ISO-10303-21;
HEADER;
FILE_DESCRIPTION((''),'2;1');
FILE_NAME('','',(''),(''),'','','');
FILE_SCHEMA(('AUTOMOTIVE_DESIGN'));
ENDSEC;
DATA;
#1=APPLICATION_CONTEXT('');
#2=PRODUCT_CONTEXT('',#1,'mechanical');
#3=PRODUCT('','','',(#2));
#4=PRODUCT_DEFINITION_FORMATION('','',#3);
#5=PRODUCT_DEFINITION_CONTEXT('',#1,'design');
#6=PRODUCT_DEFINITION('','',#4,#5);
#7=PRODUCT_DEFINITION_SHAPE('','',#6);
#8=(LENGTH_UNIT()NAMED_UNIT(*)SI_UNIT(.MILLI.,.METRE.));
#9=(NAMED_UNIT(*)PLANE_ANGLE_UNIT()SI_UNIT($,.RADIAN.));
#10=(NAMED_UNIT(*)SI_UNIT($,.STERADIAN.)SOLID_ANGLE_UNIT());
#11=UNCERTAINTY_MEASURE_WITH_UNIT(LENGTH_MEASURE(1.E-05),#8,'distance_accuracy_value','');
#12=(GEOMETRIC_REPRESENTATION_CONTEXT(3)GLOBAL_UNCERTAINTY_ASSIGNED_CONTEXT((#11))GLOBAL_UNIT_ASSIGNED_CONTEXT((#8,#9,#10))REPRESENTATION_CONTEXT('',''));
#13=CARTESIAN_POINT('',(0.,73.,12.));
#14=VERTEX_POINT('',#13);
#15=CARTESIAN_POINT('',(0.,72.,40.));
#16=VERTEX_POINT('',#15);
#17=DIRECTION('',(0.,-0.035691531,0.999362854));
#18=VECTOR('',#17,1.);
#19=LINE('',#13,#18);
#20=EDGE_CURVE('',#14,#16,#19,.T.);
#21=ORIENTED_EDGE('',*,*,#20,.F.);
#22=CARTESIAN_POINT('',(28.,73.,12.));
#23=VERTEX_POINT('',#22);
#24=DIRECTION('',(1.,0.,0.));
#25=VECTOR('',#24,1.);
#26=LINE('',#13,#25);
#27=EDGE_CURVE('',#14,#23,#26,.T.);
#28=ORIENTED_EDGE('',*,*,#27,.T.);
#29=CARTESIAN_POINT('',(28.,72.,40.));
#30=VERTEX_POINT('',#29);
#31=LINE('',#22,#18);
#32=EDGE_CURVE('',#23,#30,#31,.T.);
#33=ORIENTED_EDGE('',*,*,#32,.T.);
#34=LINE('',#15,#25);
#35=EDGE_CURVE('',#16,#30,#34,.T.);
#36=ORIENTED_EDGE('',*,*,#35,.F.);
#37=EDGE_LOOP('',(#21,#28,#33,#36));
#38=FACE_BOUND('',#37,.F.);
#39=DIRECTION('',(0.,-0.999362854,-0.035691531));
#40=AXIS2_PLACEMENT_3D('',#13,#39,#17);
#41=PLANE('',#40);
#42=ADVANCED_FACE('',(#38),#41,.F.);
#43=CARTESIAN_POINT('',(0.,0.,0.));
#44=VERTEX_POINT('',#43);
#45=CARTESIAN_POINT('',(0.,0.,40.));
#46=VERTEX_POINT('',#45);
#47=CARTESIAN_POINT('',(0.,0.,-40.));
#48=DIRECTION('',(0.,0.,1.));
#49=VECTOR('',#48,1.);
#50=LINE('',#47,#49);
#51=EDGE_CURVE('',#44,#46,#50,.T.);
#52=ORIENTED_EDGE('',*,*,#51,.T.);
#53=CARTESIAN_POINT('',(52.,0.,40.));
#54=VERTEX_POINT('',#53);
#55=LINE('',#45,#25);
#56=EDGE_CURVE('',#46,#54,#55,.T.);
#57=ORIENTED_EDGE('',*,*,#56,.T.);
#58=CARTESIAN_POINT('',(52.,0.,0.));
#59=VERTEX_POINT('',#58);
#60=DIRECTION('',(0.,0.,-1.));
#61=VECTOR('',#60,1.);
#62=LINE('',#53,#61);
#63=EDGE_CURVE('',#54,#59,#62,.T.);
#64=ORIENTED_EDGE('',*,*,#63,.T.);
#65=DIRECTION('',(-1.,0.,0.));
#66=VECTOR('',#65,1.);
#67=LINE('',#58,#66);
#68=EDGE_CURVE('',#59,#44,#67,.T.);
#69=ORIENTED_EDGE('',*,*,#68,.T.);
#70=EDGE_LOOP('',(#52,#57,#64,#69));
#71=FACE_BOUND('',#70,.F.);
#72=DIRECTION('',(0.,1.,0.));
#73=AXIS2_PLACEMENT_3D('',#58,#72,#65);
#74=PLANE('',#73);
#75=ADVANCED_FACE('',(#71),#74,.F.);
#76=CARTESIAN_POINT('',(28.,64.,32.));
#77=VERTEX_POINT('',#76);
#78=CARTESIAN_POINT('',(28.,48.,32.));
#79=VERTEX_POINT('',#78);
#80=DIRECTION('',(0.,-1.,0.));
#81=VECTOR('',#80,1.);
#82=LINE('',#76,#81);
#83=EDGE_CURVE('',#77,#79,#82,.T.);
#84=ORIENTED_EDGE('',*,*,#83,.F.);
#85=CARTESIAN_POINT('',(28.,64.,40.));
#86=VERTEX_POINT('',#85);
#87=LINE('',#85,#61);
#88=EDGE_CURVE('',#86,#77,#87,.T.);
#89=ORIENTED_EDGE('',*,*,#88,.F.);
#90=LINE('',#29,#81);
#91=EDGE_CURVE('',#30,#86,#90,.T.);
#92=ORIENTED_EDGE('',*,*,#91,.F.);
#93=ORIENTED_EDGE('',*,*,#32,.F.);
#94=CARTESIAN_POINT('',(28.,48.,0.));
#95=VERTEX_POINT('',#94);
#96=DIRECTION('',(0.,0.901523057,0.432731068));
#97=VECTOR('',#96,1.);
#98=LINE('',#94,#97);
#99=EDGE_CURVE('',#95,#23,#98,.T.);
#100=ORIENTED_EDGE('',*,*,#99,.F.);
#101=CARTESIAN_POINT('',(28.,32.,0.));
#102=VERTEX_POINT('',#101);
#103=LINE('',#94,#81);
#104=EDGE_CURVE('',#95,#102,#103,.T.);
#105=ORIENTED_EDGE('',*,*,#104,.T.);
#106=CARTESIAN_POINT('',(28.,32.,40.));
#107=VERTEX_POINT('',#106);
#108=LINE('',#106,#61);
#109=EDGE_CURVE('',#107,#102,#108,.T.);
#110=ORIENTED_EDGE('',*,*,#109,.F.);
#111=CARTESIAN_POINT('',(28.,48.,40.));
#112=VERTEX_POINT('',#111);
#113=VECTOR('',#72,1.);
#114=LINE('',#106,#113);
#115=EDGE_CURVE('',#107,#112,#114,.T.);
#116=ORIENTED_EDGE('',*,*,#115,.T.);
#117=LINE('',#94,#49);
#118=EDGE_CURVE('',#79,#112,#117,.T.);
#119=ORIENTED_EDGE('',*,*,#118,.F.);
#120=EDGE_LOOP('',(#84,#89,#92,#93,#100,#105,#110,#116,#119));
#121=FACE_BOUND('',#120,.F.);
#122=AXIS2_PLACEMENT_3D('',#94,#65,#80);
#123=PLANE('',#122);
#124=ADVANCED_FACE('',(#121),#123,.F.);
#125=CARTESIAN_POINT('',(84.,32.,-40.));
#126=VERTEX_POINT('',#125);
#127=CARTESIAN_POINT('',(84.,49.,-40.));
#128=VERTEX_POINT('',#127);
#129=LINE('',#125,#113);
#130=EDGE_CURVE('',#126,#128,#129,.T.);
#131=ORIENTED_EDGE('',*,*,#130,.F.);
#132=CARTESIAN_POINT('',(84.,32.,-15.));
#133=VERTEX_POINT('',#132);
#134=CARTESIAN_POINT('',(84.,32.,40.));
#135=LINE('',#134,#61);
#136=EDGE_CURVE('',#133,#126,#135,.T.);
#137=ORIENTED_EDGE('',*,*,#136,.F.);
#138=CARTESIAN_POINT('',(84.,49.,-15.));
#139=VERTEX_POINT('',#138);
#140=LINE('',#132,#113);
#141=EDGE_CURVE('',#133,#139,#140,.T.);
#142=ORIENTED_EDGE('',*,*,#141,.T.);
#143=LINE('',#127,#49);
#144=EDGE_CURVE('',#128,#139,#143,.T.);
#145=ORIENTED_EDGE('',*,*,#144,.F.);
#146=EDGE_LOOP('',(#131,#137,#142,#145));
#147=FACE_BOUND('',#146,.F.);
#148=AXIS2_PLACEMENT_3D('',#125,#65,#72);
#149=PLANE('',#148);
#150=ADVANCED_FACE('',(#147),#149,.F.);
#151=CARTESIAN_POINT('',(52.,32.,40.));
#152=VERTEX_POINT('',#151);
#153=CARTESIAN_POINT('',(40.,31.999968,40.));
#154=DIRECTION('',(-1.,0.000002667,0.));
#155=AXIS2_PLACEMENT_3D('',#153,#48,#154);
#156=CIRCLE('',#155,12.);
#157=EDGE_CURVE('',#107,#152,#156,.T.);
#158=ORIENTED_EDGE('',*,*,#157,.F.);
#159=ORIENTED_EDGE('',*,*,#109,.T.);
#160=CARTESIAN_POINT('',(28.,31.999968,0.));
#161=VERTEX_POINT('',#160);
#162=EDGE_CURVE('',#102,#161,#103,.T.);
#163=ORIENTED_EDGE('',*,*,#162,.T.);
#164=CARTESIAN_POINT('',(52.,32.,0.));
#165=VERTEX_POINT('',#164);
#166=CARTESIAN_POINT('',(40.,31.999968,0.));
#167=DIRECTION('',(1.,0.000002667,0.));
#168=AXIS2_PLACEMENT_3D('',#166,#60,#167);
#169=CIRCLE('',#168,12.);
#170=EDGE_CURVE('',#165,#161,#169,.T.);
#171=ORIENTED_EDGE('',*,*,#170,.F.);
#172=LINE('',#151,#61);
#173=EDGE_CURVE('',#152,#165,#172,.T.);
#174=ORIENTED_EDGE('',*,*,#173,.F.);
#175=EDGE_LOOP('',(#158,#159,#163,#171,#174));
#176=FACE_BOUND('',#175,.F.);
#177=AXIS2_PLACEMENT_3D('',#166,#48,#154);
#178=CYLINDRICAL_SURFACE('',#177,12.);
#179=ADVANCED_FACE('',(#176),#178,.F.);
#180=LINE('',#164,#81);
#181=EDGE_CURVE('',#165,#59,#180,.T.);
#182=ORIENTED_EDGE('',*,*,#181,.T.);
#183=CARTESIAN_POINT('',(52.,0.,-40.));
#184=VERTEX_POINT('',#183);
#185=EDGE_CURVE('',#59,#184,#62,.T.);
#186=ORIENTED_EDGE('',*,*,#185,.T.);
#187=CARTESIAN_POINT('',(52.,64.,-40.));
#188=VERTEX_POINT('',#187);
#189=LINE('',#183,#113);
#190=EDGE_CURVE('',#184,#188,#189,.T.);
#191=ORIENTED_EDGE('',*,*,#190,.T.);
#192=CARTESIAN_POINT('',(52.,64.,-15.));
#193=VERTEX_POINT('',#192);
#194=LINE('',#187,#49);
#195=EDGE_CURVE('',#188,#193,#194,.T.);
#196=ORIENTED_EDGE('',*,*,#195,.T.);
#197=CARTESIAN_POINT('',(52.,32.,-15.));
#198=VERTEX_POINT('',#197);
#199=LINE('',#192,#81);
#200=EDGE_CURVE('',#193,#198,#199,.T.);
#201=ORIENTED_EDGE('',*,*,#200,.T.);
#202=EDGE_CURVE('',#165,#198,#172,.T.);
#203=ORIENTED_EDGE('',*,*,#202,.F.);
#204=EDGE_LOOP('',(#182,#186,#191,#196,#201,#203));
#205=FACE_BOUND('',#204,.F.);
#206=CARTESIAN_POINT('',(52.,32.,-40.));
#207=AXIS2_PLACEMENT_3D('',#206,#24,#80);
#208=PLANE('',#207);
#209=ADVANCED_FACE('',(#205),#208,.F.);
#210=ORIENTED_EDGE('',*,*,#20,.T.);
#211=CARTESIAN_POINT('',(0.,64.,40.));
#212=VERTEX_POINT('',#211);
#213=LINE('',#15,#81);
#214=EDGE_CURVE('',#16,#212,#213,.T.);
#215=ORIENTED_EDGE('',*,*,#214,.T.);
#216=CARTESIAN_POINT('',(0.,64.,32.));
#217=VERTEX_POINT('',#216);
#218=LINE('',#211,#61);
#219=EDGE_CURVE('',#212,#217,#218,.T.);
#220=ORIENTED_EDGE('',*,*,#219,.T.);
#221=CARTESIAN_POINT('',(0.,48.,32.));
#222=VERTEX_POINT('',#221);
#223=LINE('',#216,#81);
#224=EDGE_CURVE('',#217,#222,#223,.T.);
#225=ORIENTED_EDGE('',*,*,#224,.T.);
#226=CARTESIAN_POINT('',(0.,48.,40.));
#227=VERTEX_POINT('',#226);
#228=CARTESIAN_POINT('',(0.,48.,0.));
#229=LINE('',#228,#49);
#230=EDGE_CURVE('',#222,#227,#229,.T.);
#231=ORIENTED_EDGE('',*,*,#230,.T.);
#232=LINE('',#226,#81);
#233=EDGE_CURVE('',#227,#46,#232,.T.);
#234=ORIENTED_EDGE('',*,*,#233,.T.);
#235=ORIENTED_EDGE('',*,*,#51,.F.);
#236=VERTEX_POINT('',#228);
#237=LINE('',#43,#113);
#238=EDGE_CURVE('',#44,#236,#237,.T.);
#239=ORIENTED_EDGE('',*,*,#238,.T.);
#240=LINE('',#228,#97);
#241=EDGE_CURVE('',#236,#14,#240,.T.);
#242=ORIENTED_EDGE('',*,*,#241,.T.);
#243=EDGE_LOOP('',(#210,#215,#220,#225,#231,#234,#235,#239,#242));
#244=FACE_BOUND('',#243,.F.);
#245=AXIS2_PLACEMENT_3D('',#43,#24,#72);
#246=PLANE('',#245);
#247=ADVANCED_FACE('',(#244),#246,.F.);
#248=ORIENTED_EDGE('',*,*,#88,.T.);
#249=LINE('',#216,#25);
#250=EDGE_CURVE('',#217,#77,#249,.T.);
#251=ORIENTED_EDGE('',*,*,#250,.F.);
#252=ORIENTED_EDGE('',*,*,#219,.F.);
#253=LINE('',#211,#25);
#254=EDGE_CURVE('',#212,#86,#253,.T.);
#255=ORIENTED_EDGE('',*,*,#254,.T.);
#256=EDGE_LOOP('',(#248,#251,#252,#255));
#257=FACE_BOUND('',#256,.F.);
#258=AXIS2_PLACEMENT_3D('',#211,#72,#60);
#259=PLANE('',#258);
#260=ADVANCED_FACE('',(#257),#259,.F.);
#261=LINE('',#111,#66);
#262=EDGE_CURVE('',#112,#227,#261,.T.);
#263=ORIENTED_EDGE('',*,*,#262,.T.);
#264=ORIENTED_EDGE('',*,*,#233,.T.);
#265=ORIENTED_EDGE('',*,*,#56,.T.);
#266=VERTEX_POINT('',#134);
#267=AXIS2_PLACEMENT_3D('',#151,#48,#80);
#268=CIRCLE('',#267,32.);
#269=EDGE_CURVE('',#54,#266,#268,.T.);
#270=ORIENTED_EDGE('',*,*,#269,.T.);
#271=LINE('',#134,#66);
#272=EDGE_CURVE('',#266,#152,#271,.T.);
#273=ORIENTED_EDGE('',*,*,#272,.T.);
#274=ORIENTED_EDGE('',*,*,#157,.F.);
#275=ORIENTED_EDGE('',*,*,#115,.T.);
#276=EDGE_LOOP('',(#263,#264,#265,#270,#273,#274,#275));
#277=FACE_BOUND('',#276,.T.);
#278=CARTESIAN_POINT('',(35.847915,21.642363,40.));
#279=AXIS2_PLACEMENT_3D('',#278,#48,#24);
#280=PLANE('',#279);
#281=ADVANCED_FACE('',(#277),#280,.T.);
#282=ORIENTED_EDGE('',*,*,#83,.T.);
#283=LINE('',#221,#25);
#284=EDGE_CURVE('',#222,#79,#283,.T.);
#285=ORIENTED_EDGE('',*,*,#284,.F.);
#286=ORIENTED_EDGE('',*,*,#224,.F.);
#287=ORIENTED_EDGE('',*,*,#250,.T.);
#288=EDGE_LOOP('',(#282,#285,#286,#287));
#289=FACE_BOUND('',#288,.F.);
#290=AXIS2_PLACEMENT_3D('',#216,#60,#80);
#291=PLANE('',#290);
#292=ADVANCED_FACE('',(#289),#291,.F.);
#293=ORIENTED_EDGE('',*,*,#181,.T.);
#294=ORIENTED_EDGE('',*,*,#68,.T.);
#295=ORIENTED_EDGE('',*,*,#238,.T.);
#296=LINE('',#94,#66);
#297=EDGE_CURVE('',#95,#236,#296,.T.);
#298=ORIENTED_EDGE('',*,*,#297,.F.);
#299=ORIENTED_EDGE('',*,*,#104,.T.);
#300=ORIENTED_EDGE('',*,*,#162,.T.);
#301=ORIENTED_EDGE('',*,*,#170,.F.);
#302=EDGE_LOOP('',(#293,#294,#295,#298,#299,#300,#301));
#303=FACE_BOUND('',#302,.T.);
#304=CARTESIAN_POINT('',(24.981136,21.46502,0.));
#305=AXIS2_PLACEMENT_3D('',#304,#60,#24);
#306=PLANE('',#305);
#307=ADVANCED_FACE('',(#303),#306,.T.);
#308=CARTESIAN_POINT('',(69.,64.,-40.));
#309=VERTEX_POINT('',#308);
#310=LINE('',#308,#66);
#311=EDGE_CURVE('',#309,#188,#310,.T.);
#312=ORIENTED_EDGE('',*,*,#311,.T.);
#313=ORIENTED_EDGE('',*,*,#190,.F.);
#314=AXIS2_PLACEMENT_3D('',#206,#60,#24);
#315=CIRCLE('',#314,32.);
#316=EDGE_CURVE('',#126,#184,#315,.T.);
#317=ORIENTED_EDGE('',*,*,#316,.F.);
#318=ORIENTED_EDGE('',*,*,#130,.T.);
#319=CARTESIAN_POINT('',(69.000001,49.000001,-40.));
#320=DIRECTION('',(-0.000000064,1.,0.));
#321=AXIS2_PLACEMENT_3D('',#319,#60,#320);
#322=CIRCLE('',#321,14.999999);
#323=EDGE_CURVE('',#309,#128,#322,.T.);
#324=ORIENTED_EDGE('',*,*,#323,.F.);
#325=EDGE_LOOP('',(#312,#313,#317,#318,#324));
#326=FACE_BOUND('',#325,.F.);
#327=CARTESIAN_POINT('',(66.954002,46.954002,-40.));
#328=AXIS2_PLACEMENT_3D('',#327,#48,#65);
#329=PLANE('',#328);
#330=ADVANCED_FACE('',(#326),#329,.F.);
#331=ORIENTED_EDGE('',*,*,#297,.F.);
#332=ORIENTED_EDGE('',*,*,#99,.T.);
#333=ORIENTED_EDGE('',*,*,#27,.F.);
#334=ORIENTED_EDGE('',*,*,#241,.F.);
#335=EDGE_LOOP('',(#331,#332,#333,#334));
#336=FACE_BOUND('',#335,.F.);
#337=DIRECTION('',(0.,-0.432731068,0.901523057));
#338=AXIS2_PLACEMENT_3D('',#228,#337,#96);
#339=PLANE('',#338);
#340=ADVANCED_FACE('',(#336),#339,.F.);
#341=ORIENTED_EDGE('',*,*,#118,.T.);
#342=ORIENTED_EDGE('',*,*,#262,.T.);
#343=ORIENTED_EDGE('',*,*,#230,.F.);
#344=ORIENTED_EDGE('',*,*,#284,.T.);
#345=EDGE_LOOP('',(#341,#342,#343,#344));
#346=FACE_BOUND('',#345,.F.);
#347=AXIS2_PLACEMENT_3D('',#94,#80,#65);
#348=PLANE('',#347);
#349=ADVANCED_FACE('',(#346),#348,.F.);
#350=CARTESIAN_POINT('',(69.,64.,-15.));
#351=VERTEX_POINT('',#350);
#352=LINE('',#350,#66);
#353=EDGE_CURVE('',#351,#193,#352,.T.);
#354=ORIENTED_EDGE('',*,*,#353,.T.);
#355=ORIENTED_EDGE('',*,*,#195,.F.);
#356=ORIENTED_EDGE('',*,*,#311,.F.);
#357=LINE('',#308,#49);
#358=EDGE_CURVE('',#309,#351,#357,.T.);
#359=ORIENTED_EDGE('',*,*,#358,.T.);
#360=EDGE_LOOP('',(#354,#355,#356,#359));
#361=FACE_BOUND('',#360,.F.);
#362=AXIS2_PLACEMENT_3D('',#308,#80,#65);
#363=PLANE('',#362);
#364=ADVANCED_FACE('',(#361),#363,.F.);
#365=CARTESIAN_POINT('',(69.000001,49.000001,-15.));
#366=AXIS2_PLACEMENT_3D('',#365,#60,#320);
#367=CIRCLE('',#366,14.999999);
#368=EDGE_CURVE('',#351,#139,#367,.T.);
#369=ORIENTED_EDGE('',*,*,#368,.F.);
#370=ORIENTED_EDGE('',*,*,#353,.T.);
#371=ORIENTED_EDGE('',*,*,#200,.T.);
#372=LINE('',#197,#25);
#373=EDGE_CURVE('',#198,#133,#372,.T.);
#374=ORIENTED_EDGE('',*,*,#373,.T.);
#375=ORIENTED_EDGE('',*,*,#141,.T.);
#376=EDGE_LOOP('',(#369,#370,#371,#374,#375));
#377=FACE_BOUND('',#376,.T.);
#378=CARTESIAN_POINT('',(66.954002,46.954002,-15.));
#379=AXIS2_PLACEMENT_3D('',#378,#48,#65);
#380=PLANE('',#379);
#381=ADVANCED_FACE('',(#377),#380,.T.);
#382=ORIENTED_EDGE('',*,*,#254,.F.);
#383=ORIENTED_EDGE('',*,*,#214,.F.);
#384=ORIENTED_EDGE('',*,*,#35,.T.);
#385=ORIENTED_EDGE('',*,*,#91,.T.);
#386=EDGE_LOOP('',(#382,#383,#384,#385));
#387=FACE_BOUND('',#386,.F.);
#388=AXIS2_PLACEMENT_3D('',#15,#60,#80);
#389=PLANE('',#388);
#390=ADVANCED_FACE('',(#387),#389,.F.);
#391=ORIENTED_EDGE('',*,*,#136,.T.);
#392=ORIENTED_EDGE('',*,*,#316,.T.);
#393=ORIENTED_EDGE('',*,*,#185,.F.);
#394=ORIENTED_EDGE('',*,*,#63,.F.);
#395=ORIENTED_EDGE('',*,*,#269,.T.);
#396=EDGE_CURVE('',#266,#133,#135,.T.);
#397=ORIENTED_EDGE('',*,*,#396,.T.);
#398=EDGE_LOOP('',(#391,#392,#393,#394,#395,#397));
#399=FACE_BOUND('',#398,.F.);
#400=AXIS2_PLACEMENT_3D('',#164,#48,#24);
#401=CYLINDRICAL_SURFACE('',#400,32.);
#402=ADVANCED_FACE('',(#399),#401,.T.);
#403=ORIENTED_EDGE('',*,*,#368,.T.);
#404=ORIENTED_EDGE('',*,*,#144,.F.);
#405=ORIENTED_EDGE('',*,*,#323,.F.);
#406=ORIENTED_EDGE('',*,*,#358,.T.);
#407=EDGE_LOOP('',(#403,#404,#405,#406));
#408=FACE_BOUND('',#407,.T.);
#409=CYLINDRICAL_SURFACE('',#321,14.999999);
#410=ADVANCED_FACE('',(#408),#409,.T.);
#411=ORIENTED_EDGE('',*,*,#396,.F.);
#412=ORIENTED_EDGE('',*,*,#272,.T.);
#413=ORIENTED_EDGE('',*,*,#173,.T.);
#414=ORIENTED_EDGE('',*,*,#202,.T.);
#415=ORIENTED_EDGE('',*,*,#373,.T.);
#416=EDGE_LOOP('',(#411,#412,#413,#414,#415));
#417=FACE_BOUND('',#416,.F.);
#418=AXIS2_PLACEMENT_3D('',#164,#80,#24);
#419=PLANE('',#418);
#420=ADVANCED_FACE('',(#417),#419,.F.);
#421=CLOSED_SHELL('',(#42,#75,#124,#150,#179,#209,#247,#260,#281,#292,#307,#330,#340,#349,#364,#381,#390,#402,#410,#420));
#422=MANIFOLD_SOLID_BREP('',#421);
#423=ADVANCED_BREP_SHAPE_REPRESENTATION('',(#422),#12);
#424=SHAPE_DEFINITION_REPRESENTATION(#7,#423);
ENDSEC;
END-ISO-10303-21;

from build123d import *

# Parameters (mm, degrees)
PAD_DEPTH    = 40
PAD003_DEPTH = 28
PAD004_DEPTH = 40
POCKET_DEPTH = 40
PAD005_DEPTH = 25


with BuildPart() as part:
    # Sketch → Pad (new body)
    with BuildSketch(Plane.XY):
        with BuildLine():
            Line((28, 32), (28, 48))
            Line((28, 48), (0, 48))
            Line((0, 48), (0, 0))
            Line((0, 0), (52, 0))
            ThreePointArc((52, 0), (74.627417, 9.372583), (84, 32))
            Line((84, 32), (52, 32))
            ThreePointArc((28, 32), (40, 19.999968), (52, 32))
        make_face()
    extrude(amount=PAD_DEPTH)

    # Sketch003 → Pad003 (join)
    with BuildSketch(Plane(origin=(0, 0, 0), x_dir=(0, -1, 0), z_dir=(-1, 0, 0))):
        Polygon((-48, 0), (-73, 12), (-72, 40), (-64, 40), (-64, 32), (-48, 32), align=None)
    extrude(amount=-PAD003_DEPTH)

    # Pad003 Face5 → Pad004 (add)
    with BuildSketch(Plane(origin=(34.657962, 19.802966, 0), x_dir=(0, -1, 0), z_dir=(0, 0, -1))):
        with BuildLine():
            Line((-28.197034, 6.657962), (-12.197034, 6.657962))
            ThreePointArc((-12.197034, 6.657962), (-0.197002, -5.342038), (-12.197034, -17.342038))
            Line((-12.197034, -17.342038), (-12.197034, -49.342038))
            ThreePointArc((-12.197034, -49.342038), (10.430383, -39.969455), (19.802966, -17.342038))
            Line((19.802966, -17.342038), (19.802966, 34.657962))
            Line((19.802966, 34.657962), (-28.197034, 34.657962))
            Line((-28.197034, 34.657962), (-28.197034, 6.657962))
        make_face()
    extrude(amount=PAD004_DEPTH)

    # Sketch004 (on Face16 of Pad004) → Pocket (cut)
    with BuildSketch(Plane(origin=(0, 0, -40), x_dir=(1, 0, 0), z_dir=(0, 0, -1))):
        with BuildLine():
            Line((52, 0), (0, 0))
            Line((0, 0), (0, -48))
            Line((0, -48), (28, -48))
            Line((28, -48), (28, -31.999968))
            ThreePointArc((52, -32), (40.000016, -19.999968), (28, -31.999968))
            Line((52, -32), (52, 0))
        make_face()
    extrude(amount=-POCKET_DEPTH, mode=Mode.SUBTRACT)

    # Sketch005 (on Face20 of Pocket) → Pad005 (join)
    with BuildSketch(Plane(origin=(0, 0, -40), x_dir=(1, 0, 0), z_dir=(0, 0, -1))):
        with BuildLine():
            Line((52, -32), (84, -32))
            Line((84, -32), (84, -49))
            ThreePointArc((69, -64), (79.606602, -59.606602), (84, -49))
            Line((69, -64), (52, -64))
            Line((52, -64), (52, -32))
        make_face()
    extrude(amount=-PAD005_DEPTH)


solid = part.part
